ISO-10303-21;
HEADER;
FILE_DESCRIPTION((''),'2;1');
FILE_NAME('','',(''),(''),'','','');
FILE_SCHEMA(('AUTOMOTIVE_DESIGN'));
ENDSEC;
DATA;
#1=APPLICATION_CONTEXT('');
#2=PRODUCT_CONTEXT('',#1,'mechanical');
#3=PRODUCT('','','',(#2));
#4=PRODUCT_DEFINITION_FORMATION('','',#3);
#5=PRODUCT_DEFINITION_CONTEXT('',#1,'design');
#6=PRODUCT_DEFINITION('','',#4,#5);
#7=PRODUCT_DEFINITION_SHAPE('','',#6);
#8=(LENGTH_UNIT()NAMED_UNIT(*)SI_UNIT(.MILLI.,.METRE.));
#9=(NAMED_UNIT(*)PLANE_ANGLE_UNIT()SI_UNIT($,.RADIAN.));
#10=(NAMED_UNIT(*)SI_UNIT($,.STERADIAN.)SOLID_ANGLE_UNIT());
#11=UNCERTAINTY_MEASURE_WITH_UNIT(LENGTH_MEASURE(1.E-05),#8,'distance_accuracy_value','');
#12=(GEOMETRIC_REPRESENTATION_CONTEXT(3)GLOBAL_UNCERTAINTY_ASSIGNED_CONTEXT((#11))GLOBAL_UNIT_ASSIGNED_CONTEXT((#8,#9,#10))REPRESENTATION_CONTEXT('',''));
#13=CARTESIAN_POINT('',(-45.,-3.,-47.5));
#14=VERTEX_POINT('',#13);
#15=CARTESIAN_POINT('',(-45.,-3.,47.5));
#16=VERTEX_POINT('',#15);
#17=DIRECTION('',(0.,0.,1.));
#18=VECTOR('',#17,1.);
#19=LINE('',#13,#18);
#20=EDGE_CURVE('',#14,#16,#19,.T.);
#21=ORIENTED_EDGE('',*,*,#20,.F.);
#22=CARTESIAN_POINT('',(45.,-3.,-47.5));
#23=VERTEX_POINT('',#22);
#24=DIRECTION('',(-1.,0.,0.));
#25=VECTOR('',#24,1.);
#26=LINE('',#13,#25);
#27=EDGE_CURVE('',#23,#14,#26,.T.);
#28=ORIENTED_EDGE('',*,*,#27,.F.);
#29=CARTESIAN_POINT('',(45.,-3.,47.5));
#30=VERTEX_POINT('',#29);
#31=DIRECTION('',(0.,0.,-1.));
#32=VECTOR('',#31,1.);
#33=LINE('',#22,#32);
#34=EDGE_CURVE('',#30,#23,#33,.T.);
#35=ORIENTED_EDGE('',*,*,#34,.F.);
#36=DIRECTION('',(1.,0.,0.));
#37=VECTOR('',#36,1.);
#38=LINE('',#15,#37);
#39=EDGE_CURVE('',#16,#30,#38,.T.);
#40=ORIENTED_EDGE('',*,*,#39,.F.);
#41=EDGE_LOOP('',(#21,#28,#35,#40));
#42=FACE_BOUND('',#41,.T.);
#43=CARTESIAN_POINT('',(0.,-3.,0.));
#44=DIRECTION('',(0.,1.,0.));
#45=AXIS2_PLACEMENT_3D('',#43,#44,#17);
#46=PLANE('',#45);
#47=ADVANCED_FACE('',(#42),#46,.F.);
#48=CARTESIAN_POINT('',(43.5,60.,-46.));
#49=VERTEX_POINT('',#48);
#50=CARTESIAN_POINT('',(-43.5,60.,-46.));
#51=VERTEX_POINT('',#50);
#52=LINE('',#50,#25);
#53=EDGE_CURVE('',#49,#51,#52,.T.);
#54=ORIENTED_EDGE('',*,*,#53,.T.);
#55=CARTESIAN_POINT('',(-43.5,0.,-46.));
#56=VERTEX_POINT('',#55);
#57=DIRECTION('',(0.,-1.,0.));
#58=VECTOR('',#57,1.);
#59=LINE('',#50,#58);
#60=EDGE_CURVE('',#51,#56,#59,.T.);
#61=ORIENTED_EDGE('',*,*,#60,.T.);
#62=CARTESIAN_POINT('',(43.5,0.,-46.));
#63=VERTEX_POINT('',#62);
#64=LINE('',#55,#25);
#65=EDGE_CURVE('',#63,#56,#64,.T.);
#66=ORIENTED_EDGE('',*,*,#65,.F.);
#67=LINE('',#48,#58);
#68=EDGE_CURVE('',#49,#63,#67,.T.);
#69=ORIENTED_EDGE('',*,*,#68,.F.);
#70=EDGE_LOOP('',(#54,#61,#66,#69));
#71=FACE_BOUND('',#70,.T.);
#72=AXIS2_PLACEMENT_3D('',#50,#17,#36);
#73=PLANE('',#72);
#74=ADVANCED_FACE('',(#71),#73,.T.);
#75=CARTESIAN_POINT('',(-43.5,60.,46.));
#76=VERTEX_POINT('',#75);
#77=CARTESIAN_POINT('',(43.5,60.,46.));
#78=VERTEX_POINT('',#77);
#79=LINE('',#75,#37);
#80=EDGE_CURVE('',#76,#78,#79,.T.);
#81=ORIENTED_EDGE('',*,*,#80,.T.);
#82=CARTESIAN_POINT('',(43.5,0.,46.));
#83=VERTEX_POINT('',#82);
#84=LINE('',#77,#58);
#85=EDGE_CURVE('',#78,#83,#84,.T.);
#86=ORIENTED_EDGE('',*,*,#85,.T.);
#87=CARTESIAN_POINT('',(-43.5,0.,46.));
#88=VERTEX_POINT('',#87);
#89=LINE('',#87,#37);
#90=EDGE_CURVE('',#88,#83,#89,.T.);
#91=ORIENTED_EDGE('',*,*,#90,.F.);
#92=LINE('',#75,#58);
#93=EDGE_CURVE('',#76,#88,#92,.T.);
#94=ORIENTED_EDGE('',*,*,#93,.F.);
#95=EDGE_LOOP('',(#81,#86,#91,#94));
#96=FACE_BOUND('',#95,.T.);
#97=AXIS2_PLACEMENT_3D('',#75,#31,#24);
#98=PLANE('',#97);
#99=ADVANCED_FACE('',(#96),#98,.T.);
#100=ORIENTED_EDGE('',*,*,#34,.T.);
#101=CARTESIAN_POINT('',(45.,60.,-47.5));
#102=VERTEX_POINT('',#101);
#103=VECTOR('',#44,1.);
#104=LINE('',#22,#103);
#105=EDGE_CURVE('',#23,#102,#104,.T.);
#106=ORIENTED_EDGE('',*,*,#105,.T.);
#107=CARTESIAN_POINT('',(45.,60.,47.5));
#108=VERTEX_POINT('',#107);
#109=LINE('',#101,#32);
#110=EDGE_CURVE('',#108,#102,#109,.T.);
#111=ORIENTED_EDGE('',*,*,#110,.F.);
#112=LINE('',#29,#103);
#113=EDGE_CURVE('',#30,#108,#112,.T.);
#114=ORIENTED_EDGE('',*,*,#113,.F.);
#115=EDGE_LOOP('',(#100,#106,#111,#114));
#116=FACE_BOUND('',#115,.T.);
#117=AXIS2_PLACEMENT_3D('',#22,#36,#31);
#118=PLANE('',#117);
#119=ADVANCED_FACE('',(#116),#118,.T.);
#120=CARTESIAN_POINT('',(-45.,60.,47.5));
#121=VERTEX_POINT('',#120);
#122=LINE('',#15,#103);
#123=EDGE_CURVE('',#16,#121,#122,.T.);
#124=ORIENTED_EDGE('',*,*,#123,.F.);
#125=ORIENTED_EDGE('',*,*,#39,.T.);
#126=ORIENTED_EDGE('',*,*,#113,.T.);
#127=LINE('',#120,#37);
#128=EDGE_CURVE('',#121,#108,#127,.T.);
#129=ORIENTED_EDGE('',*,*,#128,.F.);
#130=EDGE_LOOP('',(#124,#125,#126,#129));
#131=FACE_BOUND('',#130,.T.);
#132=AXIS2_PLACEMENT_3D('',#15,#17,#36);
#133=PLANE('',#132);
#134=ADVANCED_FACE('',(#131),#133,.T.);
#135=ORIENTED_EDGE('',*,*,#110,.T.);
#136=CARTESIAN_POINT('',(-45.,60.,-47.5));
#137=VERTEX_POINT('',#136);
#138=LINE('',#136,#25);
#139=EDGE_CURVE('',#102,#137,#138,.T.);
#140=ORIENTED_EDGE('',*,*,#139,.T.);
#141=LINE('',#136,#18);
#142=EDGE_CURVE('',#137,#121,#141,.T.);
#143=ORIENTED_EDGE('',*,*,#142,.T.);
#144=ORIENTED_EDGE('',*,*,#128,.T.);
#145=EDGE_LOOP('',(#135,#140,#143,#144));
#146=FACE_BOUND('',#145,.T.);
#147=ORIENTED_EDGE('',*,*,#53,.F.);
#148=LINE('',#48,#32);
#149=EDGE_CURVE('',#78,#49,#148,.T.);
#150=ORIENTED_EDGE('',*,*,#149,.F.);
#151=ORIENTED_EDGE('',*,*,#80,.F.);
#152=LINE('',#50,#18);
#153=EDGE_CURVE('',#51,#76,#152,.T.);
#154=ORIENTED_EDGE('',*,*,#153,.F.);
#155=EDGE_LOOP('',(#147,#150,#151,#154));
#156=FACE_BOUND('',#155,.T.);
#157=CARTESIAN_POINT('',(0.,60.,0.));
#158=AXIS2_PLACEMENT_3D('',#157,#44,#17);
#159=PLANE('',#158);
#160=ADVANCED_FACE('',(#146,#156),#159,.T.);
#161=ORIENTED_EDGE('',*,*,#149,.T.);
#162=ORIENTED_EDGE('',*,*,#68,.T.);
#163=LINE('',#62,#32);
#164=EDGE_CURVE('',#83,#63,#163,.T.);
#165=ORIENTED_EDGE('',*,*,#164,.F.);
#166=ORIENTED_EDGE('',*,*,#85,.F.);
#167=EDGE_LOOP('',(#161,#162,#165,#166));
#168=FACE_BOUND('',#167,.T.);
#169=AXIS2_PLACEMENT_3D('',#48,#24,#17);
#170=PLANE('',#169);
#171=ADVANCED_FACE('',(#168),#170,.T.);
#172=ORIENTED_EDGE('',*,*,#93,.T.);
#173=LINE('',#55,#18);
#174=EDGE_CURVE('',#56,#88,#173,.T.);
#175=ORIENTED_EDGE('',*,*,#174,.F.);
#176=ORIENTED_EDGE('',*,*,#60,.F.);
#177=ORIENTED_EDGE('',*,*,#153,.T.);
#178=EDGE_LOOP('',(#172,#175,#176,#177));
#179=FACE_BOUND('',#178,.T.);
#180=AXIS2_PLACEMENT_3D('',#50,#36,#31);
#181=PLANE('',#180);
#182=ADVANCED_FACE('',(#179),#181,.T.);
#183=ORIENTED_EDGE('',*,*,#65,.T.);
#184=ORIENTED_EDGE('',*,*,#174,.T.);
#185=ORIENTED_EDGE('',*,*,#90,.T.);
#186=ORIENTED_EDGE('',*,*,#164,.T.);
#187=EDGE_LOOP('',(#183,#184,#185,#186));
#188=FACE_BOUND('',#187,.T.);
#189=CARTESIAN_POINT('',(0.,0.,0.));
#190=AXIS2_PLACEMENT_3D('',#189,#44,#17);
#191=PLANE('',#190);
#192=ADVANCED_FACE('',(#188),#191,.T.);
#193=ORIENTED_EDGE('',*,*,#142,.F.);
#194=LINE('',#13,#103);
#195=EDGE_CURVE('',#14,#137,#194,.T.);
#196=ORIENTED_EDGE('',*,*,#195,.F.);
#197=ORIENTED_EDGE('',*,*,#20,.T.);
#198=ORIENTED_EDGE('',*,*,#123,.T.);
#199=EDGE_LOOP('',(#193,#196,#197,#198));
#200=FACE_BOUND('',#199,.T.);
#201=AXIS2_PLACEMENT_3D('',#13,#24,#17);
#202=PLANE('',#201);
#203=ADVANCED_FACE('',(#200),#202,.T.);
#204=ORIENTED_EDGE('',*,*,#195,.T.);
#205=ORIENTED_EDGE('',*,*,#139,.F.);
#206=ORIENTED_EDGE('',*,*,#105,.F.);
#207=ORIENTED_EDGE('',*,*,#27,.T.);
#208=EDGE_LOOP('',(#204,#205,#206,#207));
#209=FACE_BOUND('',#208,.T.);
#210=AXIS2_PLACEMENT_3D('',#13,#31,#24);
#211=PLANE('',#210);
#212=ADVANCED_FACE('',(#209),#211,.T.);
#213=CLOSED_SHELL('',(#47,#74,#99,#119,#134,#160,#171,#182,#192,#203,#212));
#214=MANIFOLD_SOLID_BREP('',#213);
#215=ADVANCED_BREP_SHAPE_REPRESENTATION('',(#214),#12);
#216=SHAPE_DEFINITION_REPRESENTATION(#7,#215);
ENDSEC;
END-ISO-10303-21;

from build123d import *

# Parameters (mm, degrees)
SKETCH_1_W      = 90
SKETCH_1_H      = 95
EXTRUDE_1_DEPTH = 3
SKETCH_2_W      = 90
SKETCH_2_H      = 95
SKETCH_2_W_2    = 87
SKETCH_2_H_2    = 92
EXTRUDE_2_DEPTH = 60


with BuildPart() as part:
    # 草图1 → 凸台-拉伸1 (new body)
    with BuildSketch(Plane(origin=(0, 0, 0), x_dir=(1, 0, 0), z_dir=(0, 1, 0))):
        Rectangle(SKETCH_1_W, SKETCH_1_H)
    extrude(amount=-EXTRUDE_1_DEPTH)

    # 草图2 → 凸台-拉伸2 (add)
    with BuildSketch(Plane(origin=(0, 0, 0), x_dir=(1, 0, 0), z_dir=(0, 1, 0))):
        Rectangle(SKETCH_2_W, SKETCH_2_H)
        Rectangle(SKETCH_2_W_2, SKETCH_2_H_2, mode=Mode.SUBTRACT)
    extrude(amount=EXTRUDE_2_DEPTH)


solid = part.part
